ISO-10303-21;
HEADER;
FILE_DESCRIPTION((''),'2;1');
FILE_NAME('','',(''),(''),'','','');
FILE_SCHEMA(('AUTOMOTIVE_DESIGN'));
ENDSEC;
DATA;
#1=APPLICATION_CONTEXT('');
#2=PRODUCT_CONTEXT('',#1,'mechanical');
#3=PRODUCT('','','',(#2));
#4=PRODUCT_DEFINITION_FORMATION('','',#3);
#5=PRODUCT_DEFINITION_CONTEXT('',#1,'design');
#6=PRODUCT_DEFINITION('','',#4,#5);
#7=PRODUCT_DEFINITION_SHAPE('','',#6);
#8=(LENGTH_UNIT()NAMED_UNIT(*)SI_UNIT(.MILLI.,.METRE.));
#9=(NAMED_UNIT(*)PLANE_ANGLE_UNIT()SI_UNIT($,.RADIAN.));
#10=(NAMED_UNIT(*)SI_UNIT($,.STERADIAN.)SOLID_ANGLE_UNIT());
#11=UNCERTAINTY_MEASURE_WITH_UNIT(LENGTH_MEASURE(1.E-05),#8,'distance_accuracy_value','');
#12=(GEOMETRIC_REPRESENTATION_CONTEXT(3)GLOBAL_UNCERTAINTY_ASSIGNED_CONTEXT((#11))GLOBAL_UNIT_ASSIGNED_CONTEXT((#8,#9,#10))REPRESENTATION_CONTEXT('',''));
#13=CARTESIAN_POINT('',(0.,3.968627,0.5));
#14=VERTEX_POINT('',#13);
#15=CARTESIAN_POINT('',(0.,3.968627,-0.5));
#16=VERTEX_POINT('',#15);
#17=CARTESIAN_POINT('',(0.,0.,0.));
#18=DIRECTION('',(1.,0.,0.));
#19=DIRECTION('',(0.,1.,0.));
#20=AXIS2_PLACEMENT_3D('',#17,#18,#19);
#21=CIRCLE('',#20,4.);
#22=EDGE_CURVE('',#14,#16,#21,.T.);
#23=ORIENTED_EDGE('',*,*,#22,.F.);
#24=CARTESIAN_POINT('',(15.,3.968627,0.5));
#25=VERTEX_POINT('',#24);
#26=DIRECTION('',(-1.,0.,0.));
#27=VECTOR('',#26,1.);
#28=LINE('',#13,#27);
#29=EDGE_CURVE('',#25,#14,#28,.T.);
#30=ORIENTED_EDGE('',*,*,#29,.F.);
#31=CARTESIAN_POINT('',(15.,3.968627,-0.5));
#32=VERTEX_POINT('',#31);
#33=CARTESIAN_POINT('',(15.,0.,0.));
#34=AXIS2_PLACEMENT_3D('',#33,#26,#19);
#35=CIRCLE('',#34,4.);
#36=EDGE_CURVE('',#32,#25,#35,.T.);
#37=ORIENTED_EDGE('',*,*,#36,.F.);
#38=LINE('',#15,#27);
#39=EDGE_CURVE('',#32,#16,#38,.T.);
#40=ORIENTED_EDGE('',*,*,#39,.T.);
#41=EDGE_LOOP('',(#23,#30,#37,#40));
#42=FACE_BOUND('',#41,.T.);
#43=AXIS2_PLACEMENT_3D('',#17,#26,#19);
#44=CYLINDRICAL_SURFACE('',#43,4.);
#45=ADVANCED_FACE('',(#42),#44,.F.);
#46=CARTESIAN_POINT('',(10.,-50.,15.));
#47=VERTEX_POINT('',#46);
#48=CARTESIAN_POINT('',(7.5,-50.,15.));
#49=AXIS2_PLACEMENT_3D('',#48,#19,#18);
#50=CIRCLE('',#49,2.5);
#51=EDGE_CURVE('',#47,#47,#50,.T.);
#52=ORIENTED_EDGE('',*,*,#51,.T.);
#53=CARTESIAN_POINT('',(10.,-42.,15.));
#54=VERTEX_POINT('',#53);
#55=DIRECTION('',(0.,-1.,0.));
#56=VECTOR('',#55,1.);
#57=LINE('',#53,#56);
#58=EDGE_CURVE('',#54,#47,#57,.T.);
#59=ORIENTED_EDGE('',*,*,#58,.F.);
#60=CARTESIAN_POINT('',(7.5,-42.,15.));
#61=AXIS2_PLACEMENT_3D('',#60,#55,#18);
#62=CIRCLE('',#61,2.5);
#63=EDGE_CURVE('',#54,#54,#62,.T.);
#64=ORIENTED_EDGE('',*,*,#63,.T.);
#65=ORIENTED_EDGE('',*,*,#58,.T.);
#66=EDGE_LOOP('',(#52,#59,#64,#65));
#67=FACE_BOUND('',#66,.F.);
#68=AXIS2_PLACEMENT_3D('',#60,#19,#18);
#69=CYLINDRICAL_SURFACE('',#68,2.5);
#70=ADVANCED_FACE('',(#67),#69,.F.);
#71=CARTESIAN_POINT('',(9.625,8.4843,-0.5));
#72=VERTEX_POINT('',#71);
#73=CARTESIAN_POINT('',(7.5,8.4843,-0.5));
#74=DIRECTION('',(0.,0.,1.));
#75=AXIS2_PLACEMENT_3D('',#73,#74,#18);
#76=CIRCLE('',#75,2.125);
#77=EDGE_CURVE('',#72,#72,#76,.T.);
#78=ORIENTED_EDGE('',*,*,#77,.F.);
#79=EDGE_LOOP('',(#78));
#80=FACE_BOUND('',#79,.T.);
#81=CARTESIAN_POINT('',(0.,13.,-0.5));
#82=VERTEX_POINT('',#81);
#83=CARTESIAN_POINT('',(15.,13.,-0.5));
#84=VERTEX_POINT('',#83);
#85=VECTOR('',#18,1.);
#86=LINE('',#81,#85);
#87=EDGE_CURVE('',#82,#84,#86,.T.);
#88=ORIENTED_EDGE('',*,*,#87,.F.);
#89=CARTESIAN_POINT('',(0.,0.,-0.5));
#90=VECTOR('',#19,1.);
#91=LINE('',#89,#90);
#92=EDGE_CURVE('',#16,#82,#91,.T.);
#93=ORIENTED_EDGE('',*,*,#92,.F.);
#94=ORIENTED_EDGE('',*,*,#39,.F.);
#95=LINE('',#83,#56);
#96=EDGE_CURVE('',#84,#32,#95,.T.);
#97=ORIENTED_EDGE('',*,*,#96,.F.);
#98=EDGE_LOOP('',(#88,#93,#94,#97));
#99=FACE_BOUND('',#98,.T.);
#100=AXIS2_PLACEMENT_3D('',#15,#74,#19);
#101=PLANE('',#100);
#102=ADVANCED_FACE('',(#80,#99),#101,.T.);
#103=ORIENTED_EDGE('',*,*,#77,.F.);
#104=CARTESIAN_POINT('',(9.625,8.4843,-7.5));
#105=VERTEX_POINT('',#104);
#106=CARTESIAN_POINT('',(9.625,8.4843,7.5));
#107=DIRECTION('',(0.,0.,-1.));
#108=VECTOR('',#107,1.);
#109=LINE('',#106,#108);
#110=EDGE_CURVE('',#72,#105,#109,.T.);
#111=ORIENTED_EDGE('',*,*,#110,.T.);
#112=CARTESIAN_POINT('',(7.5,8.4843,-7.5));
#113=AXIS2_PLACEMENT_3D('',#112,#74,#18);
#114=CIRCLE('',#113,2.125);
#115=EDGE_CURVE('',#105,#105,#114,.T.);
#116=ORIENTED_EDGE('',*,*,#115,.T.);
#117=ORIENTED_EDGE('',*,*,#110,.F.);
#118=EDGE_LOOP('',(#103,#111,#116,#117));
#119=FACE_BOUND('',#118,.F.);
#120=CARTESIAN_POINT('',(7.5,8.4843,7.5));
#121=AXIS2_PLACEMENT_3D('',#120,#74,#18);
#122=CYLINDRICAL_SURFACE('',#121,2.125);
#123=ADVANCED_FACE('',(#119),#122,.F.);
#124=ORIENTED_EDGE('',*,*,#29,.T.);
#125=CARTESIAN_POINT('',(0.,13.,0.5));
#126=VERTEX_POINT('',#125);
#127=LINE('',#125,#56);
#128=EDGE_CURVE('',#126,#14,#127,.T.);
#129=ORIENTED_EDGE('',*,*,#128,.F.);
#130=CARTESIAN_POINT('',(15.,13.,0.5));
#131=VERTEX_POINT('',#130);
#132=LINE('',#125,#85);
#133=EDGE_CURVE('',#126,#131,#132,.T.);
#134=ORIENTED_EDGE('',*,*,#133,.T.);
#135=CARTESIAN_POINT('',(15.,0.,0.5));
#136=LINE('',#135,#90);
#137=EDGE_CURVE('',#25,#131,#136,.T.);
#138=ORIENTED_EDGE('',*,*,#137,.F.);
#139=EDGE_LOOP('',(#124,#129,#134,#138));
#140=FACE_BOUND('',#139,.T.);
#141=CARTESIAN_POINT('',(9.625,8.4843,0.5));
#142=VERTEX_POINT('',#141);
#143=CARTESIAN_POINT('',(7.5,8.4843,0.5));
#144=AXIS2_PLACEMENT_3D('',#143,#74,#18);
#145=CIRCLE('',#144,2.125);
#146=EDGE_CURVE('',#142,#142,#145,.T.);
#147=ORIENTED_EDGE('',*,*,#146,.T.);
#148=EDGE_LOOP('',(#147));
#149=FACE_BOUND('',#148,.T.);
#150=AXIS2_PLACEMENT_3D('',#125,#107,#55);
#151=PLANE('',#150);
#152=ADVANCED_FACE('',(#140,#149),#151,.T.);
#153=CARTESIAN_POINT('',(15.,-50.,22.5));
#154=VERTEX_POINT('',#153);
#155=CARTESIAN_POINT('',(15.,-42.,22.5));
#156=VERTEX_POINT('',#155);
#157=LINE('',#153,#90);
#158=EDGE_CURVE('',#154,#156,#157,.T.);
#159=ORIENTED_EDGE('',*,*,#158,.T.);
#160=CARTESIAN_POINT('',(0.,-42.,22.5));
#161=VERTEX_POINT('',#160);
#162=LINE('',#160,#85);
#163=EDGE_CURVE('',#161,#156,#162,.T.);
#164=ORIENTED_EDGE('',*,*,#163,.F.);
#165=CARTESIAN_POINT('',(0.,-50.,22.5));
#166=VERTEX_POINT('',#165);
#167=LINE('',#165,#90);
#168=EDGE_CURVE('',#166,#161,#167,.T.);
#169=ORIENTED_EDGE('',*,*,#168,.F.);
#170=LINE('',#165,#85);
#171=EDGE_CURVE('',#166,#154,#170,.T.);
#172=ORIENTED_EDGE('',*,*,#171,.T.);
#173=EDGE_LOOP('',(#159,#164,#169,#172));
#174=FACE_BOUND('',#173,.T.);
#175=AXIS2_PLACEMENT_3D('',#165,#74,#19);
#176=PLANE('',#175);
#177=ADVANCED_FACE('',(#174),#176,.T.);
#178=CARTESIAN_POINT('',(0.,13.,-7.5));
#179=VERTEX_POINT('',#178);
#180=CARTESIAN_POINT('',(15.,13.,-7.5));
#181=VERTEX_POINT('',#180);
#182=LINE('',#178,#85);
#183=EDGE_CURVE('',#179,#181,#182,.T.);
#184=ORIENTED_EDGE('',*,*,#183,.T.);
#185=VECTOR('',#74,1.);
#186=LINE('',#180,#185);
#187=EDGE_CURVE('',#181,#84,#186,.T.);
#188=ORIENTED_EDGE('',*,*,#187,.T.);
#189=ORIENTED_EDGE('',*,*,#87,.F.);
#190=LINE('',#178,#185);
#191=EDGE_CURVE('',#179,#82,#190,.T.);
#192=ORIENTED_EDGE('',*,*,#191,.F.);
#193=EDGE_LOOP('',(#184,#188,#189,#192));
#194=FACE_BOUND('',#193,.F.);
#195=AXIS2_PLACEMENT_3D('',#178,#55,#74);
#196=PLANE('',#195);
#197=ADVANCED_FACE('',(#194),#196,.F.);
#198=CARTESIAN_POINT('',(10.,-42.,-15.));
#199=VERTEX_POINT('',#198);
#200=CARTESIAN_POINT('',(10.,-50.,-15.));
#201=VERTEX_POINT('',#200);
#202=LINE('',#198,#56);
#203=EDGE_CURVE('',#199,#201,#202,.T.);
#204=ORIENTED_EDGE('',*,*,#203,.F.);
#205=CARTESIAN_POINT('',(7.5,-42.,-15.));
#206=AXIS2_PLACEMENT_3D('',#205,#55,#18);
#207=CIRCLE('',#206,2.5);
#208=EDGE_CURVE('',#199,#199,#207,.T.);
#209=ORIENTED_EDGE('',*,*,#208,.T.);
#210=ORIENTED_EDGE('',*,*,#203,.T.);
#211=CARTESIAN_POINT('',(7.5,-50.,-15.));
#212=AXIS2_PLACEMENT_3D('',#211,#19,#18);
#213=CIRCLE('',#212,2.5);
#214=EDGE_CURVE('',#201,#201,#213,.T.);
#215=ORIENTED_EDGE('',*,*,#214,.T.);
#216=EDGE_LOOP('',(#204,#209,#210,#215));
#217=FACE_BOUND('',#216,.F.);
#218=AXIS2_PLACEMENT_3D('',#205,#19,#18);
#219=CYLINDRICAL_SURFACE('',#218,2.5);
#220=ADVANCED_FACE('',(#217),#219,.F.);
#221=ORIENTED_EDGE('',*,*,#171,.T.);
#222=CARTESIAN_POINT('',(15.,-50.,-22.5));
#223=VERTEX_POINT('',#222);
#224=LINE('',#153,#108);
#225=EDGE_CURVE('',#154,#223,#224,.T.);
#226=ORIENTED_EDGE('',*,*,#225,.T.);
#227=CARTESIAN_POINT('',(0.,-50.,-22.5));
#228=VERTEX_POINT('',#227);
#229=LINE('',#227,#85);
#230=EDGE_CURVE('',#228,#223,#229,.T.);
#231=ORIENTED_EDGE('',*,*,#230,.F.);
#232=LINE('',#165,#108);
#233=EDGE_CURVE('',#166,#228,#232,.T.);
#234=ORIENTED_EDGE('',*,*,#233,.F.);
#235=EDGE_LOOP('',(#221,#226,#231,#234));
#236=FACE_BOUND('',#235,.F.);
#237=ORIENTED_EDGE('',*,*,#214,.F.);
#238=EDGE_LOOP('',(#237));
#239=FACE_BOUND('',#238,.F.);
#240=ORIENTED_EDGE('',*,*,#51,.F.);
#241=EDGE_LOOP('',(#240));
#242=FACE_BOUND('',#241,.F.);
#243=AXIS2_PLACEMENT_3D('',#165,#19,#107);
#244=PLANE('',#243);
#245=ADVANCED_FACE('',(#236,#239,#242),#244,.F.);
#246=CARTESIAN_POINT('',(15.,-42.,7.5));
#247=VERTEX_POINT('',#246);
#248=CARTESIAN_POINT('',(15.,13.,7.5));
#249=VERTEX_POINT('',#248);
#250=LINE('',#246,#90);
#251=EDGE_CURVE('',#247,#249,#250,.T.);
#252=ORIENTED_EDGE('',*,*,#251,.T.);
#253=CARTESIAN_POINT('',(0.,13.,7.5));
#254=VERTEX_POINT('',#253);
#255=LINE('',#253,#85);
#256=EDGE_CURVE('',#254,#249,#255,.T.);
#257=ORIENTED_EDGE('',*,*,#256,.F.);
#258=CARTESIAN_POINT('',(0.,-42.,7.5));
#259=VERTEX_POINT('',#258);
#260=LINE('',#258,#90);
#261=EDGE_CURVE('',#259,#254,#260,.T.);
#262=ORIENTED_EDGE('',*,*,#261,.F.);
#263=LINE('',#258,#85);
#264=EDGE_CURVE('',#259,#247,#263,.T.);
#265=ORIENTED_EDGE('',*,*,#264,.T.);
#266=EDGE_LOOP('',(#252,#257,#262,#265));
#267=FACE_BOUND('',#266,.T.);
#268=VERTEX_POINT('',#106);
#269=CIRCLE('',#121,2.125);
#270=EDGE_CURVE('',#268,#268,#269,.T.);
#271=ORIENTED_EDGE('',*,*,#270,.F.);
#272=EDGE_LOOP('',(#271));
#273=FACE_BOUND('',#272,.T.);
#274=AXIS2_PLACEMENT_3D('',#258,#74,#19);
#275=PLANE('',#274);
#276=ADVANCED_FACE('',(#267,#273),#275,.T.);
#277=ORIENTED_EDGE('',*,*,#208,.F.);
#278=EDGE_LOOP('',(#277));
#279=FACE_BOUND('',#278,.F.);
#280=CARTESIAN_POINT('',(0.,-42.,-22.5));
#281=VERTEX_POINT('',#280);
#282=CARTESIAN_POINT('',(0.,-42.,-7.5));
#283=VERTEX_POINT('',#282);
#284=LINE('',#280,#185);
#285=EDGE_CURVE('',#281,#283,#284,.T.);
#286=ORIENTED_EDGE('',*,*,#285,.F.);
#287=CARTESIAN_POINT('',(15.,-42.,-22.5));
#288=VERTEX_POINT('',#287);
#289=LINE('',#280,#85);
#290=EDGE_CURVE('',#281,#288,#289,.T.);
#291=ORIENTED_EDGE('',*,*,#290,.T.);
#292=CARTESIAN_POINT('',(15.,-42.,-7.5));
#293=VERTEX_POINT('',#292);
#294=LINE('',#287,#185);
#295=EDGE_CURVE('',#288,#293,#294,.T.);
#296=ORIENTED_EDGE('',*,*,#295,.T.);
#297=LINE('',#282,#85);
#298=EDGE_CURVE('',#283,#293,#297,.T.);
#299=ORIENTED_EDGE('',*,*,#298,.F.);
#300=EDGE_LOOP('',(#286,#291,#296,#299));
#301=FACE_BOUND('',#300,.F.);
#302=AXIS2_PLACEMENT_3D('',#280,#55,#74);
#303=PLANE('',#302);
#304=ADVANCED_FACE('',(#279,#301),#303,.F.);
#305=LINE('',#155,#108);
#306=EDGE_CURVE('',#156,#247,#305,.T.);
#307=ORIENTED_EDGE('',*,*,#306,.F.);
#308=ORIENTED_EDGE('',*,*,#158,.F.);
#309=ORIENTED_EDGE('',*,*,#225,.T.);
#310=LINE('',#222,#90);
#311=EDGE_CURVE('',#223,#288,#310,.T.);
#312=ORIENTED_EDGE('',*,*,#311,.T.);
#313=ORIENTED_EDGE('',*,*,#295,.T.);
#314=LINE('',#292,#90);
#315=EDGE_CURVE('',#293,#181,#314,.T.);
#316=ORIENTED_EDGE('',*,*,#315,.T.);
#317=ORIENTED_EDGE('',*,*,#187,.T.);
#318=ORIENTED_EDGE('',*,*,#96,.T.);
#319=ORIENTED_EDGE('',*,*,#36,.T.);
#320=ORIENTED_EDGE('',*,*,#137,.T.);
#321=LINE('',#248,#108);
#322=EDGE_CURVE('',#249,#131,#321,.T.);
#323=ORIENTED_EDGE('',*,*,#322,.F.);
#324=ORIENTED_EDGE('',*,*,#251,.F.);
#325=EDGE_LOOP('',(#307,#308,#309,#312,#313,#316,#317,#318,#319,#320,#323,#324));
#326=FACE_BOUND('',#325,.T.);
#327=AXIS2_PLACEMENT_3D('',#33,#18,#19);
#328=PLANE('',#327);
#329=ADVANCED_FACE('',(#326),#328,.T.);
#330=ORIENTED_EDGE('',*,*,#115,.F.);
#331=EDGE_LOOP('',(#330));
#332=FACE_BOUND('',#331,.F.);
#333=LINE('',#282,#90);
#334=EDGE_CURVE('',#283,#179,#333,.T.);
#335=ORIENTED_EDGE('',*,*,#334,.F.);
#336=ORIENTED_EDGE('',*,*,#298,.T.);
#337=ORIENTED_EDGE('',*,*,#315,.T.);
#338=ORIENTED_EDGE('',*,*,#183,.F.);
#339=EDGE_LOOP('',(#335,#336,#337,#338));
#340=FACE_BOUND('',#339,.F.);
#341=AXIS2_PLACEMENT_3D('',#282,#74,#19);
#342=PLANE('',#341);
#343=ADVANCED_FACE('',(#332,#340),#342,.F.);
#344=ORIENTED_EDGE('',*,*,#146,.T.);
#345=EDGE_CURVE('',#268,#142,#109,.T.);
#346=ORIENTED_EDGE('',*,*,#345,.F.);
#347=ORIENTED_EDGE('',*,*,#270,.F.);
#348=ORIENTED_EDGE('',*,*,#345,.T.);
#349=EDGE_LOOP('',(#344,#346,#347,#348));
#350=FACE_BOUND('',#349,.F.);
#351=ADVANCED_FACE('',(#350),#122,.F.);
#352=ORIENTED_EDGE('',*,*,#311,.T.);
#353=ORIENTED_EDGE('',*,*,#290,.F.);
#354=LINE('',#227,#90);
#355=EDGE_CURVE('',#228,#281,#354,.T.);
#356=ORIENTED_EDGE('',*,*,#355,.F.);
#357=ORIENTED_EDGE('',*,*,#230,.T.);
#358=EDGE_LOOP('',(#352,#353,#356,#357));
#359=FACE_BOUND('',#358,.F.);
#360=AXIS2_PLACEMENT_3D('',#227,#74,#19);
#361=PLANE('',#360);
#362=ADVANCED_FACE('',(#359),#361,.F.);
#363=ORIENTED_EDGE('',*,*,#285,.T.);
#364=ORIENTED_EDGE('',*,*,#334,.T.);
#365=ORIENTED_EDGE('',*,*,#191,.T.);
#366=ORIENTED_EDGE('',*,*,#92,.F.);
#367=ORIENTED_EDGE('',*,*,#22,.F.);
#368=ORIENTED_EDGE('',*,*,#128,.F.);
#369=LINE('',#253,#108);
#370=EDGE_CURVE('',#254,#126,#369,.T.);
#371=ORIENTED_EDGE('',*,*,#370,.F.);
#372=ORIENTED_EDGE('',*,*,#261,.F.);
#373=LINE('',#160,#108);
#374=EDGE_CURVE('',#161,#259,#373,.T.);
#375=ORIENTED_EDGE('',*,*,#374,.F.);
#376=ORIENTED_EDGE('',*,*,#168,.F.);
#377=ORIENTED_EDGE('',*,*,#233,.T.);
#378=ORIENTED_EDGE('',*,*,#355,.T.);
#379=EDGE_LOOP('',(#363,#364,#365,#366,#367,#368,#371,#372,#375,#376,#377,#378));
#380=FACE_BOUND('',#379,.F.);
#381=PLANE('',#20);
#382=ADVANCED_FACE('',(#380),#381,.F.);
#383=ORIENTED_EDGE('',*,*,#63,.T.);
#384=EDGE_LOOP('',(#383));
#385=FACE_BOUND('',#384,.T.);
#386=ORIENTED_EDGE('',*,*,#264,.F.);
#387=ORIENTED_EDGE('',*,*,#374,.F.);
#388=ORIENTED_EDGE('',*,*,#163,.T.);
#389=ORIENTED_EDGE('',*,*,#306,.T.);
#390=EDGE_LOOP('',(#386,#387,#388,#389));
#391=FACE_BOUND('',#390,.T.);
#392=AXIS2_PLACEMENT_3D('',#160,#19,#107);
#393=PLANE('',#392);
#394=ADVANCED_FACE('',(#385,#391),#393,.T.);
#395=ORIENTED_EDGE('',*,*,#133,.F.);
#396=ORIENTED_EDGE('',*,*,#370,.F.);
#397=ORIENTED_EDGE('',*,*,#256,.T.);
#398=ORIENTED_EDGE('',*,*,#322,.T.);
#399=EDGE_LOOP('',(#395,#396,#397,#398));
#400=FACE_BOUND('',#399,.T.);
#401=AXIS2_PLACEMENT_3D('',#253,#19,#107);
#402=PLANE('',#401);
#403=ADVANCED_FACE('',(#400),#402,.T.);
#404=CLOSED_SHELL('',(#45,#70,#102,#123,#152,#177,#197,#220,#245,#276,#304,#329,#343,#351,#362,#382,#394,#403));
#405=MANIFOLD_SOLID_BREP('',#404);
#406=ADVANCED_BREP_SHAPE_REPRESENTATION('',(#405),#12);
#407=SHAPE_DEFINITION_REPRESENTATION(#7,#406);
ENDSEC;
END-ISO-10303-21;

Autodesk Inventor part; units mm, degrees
ref_plane "YZ Plane" through (0, 0, 0) normal (1, 0, 0) x (0, 1, 0)
ref_plane "XZ Plane" through (0, 0, 0) normal (0, 1, 0) x (-1, 0, 0)
ref_plane "XY Plane" through (0, 0, 0) normal (0, 0, 1) x (1, 0, 0)
sketch "Sketch1" plane through (0, 0, 0) normal (1, 0, 0) x (0, 1, 0)
  line L0 (-50, 22.5) -> (-50, -22.5)
  line L1 (-50, -22.5) -> (-42, -22.5)
  line L2 (-42, -22.5) -> (-42, -7.5)
  line L3 (-42, -7.5) -> (13, -7.5)
  line L4 (13, -7.5) -> (13, -0.5)
  line L5 (-50, 22.5) -> (-42, 22.5)
  line L6 (-42, 22.5) -> (-42, 7.5)
  line L7 (-42, 7.5) -> (13, 7.5)
  line L8 (13, 7.5) -> (13, 0.5)
  circle A0 centre (0, 0) radius 4
  line L9 (13, 0.5) -> (0, 0.5)
  line L10 (0, 0.5) -> (0, -0.5)
  line L11 (0, -0.5) -> (13, -0.5)
  line L12 (0, 0) -> (-35.797, 0) construction
  dimension "d0" = 8
  dimension "d1" = 1
  dimension "d2" = 7
  dimension "d3" = 15
  dimension "d5" = 55
  dimension "d6" = 8
  dimension "d11" = 50
extrude "Extrusion1" add sketch "Sketch1" along normal blind 15 contours L5 L6 L7 L8 L9 A0 L11 L4 L3 L2 L1 L0 | L9 L10 L11 A0 picked at (-1.3236, -0.1605)
extrude "Extrusion2" cut sketch "Sketch1" along normal through all contours L9 L10 L11 A0 | A0 L11 L10 L9
sketch "Sketch2" plane through (0, -42, 22.5) normal (0, 1, 0) x (1, 0, 0)
  circle A0 centre (7.5, 7.5) radius 2.5
  circle A1 centre (7.5, 37.5) radius 2.5
  line L0 (0, 45) -> (0, 30) projected
  line L1 (0, 15) -> (0, 0) projected
  line L2 (0, 45) -> (0, 30) projected
  line L3 (0, 30) -> (15, 30) projected
  line L4 (15, 45) -> (15, 30) projected
  line L5 (0, 45) -> (15, 45) projected
  line L6 (0, 15) -> (0, 0) projected
  line L7 (0, 0) -> (15, 0) projected
  line L8 (15, 15) -> (15, 0) projected
  line L9 (0, 15) -> (15, 15) projected
  line L10 (7.5, 7.5) -> (0, 7.5)
  line L11 (0, 0) -> (0, 45) projected
  line L12 (7.5, 37.5) -> (15, 37.5)
  line L13 (15, 0) -> (15, 45) projected
  line L14 (7.5, 37.5) -> (0, 37.5)
  line L15 (7.5, 37.5) -> (7.5, 30)
  line L16 (7.5, 37.5) -> (7.5, 45)
  line L17 (0, 45) -> (15, 45) projected
  line L18 (7.5, 7.5) -> (15, 7.5)
  line L19 (7.5, 7.5) -> (7.5, 15)
  line L20 (0, 15) -> (15, 15) projected
  line L21 (7.5, 7.5) -> (7.5, 0)
  line L22 (0, 0) -> (15, 0) projected
  point P0 (0, 22.5)
  dimension "d12" = 5
extrude "Extrusion3" cut sketch "Sketch2" against normal through all contours L18 L19 A0 | A0 L21 L18 | L19 L10 A0 | A0 L10 L21 | L15 L12 A1 | A1 L14 L15 | L12 L16 A1 | A1 L16 L14
sketch "Sketch3" plane through (0, -42, 7.5) normal (0, 0, 1) x (1, 0, 0)
  circle A0 centre (7.5, 50.4843) radius 2.125
  line L0 (7.5, 50.4843) -> (0, 50.4843) construction
  line L1 (7.5, 50.4843) -> (15, 50.4843) construction
  line L2 (0, 55) -> (0, 0) projected
  line L3 (0, 55) -> (15, 55) projected
  line L4 (15, 45.9686) -> (15, 55) projected
  line L5 (15, 55) -> (15, 0) projected
  line L6 (7.5, 50.4843) -> (15, 55) construction
  line L7 (15, 45.9686) -> (15, 38) projected
  line L8 (15, 45.9686) -> (7.5, 50.4843) construction
  point P0 (0, 42)
  point P1 (15, 42)
  dimension "d15" = 4.25
extrude "Extrusion4" cut sketch "Sketch3" against normal through all
properties part number "XRodClamp"
